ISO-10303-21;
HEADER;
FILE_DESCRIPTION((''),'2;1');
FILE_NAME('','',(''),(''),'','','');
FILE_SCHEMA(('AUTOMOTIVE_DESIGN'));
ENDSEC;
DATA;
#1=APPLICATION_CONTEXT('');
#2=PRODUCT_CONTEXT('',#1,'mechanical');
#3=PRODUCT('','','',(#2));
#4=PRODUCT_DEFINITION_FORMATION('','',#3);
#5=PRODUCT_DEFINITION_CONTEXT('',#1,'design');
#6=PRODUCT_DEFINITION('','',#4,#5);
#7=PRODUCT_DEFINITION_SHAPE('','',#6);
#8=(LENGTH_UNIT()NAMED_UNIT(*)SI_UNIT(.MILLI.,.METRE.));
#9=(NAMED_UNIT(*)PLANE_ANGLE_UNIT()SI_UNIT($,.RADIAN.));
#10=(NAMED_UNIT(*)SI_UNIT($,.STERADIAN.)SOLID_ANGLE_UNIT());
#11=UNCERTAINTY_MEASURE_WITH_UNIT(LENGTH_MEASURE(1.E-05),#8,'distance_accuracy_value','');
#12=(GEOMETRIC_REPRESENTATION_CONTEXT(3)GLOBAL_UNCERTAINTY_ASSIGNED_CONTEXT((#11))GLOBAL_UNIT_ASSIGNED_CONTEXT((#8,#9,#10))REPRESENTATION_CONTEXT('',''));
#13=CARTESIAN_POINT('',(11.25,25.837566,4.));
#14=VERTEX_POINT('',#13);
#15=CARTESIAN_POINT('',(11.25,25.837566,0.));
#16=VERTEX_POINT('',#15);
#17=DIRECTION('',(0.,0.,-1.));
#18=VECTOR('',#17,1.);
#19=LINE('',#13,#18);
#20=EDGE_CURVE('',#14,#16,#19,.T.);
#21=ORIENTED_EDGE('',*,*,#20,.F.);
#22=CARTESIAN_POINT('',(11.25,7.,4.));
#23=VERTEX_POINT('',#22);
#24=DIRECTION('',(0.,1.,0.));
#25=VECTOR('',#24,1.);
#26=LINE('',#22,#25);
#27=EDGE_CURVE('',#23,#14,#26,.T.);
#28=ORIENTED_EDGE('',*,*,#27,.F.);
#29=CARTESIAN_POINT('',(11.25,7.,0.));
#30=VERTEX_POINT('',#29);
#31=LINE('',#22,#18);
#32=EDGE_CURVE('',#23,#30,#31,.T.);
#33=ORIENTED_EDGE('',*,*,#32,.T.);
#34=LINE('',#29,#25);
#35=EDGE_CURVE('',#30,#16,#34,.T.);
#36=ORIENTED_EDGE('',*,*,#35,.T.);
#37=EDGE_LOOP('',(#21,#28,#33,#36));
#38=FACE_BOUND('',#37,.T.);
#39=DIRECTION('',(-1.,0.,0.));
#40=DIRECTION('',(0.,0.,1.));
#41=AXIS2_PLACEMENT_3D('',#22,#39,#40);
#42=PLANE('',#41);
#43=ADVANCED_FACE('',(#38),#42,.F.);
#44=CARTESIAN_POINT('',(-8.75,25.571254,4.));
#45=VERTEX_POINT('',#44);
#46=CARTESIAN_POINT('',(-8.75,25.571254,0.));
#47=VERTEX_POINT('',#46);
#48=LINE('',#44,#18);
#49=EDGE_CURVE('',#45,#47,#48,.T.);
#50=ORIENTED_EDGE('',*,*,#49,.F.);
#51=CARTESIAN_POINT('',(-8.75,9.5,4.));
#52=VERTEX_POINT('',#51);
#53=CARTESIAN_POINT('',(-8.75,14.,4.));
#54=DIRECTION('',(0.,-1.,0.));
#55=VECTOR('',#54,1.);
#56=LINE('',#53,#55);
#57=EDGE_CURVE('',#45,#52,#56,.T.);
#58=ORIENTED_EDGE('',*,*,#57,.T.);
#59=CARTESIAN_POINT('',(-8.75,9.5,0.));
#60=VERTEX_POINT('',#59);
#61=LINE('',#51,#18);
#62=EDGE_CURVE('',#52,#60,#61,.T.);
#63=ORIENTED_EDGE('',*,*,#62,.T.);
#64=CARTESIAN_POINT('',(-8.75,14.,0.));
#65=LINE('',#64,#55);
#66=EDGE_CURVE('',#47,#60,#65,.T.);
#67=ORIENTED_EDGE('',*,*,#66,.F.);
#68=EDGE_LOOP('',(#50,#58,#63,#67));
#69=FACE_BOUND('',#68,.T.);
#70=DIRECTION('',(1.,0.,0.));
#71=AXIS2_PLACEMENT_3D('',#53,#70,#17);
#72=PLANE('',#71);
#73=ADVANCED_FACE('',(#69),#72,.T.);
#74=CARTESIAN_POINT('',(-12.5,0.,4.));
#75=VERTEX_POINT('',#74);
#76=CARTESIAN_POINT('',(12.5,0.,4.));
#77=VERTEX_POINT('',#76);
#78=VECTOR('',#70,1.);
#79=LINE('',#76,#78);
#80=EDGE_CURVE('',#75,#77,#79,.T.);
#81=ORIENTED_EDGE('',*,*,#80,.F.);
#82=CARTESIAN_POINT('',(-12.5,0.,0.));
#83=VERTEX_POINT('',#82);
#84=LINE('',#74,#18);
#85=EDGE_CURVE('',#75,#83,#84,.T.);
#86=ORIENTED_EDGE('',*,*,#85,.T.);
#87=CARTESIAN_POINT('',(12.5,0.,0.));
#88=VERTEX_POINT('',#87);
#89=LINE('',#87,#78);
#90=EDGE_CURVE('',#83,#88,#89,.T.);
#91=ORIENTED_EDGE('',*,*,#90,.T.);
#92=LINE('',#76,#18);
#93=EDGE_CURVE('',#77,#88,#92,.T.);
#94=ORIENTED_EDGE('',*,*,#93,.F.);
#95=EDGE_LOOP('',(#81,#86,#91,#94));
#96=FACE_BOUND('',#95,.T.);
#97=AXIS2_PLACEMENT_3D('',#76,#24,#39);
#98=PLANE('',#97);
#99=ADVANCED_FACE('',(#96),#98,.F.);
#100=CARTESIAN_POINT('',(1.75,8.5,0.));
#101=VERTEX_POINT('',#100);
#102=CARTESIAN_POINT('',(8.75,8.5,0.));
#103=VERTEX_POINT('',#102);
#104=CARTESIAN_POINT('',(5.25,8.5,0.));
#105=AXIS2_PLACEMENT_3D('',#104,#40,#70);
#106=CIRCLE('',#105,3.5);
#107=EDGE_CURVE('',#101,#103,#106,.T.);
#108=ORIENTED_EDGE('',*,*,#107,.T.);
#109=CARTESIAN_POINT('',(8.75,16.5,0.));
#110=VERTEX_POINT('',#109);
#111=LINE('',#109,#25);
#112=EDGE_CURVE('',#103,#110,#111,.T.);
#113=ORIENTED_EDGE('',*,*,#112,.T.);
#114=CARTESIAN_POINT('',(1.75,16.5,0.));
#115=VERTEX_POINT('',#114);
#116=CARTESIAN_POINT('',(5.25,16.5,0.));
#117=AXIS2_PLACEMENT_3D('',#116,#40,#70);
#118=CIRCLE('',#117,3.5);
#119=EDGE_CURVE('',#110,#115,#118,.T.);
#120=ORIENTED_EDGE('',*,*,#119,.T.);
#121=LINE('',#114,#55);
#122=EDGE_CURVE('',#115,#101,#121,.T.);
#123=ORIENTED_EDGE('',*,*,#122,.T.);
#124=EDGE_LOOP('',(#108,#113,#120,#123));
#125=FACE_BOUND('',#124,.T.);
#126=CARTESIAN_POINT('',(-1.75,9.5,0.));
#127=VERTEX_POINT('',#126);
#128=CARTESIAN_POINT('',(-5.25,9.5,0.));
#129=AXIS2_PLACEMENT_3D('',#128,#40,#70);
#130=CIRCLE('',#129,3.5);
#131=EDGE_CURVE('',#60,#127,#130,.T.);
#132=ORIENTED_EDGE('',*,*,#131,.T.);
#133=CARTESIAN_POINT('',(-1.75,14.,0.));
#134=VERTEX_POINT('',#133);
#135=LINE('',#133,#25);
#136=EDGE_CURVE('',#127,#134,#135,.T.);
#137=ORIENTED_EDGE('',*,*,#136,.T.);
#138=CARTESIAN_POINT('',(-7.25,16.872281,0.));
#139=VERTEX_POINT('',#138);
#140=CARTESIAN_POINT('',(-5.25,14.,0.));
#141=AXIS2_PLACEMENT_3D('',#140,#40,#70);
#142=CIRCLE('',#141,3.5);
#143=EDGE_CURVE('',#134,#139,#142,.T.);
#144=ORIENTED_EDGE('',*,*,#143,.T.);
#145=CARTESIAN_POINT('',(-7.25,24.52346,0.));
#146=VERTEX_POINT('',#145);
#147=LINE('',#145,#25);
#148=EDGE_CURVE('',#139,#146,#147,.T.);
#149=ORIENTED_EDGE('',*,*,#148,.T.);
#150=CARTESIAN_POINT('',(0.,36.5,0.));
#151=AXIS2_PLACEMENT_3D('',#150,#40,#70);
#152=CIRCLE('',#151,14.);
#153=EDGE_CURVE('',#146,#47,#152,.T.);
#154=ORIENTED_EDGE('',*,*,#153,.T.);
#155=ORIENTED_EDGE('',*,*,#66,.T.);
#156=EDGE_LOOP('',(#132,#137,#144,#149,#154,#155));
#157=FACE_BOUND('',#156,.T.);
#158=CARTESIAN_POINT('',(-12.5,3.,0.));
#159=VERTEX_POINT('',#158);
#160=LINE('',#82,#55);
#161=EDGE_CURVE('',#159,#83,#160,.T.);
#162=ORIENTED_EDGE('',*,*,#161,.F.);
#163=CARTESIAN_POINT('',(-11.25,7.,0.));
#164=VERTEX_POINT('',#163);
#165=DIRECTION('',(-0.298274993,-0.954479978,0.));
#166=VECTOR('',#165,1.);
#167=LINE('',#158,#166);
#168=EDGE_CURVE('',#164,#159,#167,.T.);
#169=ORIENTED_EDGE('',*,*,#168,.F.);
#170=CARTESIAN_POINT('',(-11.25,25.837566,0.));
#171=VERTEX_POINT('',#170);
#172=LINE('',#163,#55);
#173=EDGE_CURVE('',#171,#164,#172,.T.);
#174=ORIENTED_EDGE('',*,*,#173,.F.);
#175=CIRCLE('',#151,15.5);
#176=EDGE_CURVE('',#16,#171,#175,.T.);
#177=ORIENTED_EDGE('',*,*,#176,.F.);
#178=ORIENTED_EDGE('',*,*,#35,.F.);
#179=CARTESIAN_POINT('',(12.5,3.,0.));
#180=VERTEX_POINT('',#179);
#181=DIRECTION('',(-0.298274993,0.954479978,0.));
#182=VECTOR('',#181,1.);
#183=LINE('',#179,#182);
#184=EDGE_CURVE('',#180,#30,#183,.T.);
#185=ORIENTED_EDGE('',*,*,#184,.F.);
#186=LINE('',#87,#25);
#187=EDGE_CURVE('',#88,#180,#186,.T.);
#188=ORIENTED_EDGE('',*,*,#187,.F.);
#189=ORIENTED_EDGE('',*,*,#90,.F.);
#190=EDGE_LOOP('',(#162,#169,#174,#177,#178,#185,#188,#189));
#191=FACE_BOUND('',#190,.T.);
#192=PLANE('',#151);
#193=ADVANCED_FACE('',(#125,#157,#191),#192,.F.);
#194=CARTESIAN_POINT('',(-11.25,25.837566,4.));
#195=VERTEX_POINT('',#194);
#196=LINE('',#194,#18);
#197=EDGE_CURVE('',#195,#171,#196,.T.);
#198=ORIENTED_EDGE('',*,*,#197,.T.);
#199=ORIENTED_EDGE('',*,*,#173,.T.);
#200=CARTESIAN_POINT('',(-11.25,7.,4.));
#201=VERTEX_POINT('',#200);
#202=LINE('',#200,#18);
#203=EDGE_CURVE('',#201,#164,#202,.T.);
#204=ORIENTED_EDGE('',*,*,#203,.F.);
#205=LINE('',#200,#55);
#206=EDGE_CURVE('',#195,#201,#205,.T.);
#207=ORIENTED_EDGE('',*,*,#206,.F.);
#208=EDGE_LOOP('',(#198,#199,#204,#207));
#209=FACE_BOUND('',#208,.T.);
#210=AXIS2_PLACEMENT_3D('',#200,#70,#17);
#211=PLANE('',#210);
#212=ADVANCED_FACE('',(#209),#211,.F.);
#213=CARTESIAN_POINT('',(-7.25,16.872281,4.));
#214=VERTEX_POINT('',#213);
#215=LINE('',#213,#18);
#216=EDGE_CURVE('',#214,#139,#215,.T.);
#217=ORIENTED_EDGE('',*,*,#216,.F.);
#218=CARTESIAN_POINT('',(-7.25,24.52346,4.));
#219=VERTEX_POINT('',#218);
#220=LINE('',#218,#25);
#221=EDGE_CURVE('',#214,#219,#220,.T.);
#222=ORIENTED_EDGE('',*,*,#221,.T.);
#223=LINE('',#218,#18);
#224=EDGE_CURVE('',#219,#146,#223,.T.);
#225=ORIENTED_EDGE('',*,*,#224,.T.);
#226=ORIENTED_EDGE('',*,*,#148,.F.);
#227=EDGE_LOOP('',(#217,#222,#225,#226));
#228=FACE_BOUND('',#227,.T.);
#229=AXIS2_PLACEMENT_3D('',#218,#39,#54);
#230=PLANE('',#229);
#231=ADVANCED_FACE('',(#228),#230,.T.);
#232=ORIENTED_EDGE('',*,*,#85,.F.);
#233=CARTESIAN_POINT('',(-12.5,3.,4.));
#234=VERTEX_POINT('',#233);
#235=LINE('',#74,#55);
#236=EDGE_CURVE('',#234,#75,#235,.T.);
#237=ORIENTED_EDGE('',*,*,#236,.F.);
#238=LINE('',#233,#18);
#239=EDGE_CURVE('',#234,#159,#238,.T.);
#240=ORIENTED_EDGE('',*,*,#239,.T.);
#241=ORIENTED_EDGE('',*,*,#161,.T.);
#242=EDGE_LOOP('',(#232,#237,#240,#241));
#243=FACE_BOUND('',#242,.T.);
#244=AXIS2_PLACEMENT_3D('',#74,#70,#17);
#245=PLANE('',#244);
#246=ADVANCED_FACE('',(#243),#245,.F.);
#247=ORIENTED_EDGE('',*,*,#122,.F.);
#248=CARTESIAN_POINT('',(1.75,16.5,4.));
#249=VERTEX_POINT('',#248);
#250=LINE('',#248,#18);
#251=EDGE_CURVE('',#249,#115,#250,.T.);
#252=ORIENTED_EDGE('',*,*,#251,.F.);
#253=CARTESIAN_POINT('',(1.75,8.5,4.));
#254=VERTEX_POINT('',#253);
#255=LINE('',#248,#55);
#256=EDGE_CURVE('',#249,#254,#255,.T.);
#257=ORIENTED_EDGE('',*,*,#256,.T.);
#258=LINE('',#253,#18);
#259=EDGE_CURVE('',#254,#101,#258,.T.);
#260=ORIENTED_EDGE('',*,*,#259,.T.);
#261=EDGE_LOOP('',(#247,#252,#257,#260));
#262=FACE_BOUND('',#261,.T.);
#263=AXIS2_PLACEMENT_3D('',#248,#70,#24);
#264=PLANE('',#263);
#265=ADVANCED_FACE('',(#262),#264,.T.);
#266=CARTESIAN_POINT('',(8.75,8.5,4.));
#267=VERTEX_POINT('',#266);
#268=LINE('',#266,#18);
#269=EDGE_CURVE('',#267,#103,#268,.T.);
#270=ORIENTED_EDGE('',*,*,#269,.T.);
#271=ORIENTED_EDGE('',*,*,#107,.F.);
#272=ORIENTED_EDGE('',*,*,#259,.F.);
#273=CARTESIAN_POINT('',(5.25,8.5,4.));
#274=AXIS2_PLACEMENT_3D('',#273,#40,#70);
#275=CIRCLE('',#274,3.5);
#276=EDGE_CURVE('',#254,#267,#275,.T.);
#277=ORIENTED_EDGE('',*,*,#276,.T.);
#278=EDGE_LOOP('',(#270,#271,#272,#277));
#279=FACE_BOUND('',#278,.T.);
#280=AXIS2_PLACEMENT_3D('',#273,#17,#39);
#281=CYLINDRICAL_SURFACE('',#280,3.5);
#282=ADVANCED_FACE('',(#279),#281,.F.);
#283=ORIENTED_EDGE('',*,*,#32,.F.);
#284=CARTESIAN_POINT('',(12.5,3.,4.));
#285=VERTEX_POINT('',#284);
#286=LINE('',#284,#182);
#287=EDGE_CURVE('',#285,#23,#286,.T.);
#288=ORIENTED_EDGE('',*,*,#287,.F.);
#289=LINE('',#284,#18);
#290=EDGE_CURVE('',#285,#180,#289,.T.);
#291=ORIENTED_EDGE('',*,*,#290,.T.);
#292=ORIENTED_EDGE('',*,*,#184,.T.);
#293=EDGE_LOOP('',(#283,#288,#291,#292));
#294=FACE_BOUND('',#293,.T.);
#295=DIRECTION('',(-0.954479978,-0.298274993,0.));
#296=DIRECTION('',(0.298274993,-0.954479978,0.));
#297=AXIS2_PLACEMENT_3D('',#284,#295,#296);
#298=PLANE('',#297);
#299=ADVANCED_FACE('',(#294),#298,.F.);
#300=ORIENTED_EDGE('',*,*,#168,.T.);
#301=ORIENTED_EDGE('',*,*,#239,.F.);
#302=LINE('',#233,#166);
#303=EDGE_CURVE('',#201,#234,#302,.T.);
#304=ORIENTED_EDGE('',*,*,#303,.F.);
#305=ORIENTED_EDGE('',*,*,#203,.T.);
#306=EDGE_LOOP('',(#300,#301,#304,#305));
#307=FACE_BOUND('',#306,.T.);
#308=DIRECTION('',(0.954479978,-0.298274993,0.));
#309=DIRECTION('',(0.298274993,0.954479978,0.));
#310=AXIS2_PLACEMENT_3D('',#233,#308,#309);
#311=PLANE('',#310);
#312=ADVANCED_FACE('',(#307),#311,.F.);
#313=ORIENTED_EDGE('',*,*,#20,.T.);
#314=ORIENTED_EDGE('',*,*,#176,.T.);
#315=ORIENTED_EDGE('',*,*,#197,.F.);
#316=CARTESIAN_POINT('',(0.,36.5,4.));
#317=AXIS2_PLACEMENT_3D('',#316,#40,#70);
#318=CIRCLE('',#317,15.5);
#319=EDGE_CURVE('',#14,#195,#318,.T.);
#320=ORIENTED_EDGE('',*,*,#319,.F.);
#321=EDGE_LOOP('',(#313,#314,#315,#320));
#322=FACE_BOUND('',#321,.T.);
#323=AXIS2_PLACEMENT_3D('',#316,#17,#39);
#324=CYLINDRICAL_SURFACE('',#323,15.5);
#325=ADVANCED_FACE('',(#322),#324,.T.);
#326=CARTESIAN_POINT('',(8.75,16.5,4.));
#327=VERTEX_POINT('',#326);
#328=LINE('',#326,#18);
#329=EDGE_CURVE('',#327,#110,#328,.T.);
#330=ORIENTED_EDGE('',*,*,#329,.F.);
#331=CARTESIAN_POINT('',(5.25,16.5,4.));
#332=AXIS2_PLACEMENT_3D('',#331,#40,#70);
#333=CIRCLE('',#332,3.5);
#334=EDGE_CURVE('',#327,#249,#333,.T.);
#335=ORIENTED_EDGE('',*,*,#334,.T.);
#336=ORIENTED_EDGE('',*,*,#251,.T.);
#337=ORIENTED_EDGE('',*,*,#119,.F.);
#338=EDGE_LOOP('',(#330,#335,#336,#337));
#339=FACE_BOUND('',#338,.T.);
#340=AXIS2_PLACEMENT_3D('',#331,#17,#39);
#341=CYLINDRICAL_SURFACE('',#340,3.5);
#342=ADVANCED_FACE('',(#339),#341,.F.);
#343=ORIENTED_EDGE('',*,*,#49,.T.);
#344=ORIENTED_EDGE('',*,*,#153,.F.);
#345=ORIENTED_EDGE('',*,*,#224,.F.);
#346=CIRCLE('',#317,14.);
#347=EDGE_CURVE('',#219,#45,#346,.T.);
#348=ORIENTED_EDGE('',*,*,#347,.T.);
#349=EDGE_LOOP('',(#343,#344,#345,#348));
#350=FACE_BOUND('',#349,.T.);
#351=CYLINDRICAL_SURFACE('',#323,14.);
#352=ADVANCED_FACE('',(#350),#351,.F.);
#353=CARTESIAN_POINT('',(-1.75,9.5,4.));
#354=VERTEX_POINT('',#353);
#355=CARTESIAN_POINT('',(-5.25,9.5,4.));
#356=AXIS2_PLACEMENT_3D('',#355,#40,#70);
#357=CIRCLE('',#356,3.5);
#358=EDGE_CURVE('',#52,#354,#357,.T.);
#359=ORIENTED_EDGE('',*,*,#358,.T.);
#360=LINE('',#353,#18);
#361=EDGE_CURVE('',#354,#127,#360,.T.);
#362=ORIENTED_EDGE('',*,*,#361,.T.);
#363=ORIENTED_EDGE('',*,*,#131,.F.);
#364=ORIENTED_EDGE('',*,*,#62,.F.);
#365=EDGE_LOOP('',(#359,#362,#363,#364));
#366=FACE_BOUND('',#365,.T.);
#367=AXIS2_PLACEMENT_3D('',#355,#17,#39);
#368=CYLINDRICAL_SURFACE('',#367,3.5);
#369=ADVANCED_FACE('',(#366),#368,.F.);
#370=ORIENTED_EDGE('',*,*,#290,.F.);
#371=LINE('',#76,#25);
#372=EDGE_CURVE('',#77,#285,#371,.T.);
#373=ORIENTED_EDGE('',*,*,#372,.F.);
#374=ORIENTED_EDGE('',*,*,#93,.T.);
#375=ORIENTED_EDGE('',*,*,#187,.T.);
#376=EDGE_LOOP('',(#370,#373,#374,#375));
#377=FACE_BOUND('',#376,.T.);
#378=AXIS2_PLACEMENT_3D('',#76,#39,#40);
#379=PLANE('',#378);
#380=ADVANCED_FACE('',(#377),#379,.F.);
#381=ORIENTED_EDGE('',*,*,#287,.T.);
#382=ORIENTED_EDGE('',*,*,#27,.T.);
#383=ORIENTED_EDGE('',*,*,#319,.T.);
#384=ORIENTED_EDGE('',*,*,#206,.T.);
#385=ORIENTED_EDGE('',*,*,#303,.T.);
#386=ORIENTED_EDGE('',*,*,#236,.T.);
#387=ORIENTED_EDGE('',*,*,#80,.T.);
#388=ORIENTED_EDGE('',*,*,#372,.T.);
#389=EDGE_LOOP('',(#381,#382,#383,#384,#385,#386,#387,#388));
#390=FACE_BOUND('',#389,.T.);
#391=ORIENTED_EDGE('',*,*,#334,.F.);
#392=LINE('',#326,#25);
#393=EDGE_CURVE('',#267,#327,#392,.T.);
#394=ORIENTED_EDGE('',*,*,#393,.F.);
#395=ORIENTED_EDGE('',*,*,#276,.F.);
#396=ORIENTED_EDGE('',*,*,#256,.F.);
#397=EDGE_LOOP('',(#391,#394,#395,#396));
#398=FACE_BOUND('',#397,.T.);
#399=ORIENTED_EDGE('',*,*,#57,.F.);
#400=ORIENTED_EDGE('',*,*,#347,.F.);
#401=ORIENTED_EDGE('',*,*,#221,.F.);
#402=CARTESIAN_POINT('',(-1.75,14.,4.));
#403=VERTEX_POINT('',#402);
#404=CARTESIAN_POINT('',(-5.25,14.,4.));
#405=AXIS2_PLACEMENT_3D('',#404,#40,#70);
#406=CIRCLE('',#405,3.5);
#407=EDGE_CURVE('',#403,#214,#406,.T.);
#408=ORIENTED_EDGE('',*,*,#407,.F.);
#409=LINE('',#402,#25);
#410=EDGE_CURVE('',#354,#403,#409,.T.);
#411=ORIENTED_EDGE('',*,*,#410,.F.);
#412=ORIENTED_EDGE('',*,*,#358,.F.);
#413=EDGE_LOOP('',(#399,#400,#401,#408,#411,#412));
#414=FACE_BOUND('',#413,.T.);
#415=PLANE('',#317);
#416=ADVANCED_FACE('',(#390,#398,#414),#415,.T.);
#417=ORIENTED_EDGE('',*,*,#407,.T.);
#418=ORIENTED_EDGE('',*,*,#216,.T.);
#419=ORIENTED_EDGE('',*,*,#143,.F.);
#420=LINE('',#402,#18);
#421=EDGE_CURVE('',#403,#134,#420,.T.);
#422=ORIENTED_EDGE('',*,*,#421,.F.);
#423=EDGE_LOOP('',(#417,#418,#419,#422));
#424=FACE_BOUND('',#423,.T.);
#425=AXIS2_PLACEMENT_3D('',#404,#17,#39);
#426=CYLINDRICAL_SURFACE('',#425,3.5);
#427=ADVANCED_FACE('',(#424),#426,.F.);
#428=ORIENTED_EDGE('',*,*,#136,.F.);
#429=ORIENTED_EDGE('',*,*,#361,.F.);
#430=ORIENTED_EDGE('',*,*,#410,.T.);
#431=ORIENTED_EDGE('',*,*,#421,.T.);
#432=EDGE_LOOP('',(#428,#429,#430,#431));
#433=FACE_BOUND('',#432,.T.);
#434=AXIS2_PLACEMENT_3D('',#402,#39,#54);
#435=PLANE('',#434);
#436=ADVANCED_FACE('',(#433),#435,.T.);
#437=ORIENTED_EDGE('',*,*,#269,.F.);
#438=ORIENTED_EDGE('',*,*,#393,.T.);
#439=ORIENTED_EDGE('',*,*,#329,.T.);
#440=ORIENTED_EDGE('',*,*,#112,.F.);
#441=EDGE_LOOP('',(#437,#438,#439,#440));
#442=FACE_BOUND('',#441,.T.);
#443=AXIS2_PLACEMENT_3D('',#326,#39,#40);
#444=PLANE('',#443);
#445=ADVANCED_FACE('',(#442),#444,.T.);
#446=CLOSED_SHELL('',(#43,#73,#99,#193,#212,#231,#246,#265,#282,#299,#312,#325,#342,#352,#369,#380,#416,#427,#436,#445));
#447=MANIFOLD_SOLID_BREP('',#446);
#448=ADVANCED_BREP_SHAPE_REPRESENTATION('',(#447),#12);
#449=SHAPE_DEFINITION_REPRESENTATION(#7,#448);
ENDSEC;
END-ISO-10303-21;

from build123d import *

# Parameters (mm, degrees)
DODANIE_WYCI_GNI_CIE1_DEPTH = 4


with BuildPart() as part:
    # Szkic1 → Dodanie-wyciągnięcie1 (new body)
    with BuildSketch(Plane.XY):
        with BuildLine():
            Line((12.5, 0), (-12.5, 0))
            Line((-12.5, 0), (-12.5, 3))
            Line((-12.5, 3), (-11.25, 7))
            Line((-11.25, 7), (-11.25, 25.837565944))
            ThreePointArc((-11.25, 25.837565944), (0, 52), (11.25, 25.837565944))
            Line((11.25, 25.837565944), (11.25, 7))
            Line((11.25, 7), (12.5, 3))
            Line((12.5, 3), (12.5, 0))
        make_face()
        with BuildLine():
            Line((8.75, 16.5), (8.75, 8.5))
            ThreePointArc((8.75, 8.5), (5.25, 5), (1.75, 8.5))
            Line((1.75, 8.5), (1.75, 16.5))
            ThreePointArc((1.75, 16.5), (5.25, 20), (8.75, 16.5))
        make_face(mode=Mode.SUBTRACT)
        with BuildLine():
            Line((-1.75, 14), (-1.75, 9.5))
            ThreePointArc((-1.75, 9.5), (-5.25, 6), (-8.75, 9.5))
            Line((-8.75, 9.5), (-8.75, 14))
            Line((-8.75, 14), (-8.75, 25.571253503))
            ThreePointArc((-8.75, 25.571253503), (8.017135871, 47.977174409), (-7.25, 24.523460433))
            Line((-7.25, 24.523460433), (-7.25, 16.872281323))
            ThreePointArc((-7.25, 16.872281323), (-3.629814825, 17.102418411), (-1.75, 14))
        make_face(mode=Mode.SUBTRACT)
    extrude(amount=DODANIE_WYCI_GNI_CIE1_DEPTH)


solid = part.part
